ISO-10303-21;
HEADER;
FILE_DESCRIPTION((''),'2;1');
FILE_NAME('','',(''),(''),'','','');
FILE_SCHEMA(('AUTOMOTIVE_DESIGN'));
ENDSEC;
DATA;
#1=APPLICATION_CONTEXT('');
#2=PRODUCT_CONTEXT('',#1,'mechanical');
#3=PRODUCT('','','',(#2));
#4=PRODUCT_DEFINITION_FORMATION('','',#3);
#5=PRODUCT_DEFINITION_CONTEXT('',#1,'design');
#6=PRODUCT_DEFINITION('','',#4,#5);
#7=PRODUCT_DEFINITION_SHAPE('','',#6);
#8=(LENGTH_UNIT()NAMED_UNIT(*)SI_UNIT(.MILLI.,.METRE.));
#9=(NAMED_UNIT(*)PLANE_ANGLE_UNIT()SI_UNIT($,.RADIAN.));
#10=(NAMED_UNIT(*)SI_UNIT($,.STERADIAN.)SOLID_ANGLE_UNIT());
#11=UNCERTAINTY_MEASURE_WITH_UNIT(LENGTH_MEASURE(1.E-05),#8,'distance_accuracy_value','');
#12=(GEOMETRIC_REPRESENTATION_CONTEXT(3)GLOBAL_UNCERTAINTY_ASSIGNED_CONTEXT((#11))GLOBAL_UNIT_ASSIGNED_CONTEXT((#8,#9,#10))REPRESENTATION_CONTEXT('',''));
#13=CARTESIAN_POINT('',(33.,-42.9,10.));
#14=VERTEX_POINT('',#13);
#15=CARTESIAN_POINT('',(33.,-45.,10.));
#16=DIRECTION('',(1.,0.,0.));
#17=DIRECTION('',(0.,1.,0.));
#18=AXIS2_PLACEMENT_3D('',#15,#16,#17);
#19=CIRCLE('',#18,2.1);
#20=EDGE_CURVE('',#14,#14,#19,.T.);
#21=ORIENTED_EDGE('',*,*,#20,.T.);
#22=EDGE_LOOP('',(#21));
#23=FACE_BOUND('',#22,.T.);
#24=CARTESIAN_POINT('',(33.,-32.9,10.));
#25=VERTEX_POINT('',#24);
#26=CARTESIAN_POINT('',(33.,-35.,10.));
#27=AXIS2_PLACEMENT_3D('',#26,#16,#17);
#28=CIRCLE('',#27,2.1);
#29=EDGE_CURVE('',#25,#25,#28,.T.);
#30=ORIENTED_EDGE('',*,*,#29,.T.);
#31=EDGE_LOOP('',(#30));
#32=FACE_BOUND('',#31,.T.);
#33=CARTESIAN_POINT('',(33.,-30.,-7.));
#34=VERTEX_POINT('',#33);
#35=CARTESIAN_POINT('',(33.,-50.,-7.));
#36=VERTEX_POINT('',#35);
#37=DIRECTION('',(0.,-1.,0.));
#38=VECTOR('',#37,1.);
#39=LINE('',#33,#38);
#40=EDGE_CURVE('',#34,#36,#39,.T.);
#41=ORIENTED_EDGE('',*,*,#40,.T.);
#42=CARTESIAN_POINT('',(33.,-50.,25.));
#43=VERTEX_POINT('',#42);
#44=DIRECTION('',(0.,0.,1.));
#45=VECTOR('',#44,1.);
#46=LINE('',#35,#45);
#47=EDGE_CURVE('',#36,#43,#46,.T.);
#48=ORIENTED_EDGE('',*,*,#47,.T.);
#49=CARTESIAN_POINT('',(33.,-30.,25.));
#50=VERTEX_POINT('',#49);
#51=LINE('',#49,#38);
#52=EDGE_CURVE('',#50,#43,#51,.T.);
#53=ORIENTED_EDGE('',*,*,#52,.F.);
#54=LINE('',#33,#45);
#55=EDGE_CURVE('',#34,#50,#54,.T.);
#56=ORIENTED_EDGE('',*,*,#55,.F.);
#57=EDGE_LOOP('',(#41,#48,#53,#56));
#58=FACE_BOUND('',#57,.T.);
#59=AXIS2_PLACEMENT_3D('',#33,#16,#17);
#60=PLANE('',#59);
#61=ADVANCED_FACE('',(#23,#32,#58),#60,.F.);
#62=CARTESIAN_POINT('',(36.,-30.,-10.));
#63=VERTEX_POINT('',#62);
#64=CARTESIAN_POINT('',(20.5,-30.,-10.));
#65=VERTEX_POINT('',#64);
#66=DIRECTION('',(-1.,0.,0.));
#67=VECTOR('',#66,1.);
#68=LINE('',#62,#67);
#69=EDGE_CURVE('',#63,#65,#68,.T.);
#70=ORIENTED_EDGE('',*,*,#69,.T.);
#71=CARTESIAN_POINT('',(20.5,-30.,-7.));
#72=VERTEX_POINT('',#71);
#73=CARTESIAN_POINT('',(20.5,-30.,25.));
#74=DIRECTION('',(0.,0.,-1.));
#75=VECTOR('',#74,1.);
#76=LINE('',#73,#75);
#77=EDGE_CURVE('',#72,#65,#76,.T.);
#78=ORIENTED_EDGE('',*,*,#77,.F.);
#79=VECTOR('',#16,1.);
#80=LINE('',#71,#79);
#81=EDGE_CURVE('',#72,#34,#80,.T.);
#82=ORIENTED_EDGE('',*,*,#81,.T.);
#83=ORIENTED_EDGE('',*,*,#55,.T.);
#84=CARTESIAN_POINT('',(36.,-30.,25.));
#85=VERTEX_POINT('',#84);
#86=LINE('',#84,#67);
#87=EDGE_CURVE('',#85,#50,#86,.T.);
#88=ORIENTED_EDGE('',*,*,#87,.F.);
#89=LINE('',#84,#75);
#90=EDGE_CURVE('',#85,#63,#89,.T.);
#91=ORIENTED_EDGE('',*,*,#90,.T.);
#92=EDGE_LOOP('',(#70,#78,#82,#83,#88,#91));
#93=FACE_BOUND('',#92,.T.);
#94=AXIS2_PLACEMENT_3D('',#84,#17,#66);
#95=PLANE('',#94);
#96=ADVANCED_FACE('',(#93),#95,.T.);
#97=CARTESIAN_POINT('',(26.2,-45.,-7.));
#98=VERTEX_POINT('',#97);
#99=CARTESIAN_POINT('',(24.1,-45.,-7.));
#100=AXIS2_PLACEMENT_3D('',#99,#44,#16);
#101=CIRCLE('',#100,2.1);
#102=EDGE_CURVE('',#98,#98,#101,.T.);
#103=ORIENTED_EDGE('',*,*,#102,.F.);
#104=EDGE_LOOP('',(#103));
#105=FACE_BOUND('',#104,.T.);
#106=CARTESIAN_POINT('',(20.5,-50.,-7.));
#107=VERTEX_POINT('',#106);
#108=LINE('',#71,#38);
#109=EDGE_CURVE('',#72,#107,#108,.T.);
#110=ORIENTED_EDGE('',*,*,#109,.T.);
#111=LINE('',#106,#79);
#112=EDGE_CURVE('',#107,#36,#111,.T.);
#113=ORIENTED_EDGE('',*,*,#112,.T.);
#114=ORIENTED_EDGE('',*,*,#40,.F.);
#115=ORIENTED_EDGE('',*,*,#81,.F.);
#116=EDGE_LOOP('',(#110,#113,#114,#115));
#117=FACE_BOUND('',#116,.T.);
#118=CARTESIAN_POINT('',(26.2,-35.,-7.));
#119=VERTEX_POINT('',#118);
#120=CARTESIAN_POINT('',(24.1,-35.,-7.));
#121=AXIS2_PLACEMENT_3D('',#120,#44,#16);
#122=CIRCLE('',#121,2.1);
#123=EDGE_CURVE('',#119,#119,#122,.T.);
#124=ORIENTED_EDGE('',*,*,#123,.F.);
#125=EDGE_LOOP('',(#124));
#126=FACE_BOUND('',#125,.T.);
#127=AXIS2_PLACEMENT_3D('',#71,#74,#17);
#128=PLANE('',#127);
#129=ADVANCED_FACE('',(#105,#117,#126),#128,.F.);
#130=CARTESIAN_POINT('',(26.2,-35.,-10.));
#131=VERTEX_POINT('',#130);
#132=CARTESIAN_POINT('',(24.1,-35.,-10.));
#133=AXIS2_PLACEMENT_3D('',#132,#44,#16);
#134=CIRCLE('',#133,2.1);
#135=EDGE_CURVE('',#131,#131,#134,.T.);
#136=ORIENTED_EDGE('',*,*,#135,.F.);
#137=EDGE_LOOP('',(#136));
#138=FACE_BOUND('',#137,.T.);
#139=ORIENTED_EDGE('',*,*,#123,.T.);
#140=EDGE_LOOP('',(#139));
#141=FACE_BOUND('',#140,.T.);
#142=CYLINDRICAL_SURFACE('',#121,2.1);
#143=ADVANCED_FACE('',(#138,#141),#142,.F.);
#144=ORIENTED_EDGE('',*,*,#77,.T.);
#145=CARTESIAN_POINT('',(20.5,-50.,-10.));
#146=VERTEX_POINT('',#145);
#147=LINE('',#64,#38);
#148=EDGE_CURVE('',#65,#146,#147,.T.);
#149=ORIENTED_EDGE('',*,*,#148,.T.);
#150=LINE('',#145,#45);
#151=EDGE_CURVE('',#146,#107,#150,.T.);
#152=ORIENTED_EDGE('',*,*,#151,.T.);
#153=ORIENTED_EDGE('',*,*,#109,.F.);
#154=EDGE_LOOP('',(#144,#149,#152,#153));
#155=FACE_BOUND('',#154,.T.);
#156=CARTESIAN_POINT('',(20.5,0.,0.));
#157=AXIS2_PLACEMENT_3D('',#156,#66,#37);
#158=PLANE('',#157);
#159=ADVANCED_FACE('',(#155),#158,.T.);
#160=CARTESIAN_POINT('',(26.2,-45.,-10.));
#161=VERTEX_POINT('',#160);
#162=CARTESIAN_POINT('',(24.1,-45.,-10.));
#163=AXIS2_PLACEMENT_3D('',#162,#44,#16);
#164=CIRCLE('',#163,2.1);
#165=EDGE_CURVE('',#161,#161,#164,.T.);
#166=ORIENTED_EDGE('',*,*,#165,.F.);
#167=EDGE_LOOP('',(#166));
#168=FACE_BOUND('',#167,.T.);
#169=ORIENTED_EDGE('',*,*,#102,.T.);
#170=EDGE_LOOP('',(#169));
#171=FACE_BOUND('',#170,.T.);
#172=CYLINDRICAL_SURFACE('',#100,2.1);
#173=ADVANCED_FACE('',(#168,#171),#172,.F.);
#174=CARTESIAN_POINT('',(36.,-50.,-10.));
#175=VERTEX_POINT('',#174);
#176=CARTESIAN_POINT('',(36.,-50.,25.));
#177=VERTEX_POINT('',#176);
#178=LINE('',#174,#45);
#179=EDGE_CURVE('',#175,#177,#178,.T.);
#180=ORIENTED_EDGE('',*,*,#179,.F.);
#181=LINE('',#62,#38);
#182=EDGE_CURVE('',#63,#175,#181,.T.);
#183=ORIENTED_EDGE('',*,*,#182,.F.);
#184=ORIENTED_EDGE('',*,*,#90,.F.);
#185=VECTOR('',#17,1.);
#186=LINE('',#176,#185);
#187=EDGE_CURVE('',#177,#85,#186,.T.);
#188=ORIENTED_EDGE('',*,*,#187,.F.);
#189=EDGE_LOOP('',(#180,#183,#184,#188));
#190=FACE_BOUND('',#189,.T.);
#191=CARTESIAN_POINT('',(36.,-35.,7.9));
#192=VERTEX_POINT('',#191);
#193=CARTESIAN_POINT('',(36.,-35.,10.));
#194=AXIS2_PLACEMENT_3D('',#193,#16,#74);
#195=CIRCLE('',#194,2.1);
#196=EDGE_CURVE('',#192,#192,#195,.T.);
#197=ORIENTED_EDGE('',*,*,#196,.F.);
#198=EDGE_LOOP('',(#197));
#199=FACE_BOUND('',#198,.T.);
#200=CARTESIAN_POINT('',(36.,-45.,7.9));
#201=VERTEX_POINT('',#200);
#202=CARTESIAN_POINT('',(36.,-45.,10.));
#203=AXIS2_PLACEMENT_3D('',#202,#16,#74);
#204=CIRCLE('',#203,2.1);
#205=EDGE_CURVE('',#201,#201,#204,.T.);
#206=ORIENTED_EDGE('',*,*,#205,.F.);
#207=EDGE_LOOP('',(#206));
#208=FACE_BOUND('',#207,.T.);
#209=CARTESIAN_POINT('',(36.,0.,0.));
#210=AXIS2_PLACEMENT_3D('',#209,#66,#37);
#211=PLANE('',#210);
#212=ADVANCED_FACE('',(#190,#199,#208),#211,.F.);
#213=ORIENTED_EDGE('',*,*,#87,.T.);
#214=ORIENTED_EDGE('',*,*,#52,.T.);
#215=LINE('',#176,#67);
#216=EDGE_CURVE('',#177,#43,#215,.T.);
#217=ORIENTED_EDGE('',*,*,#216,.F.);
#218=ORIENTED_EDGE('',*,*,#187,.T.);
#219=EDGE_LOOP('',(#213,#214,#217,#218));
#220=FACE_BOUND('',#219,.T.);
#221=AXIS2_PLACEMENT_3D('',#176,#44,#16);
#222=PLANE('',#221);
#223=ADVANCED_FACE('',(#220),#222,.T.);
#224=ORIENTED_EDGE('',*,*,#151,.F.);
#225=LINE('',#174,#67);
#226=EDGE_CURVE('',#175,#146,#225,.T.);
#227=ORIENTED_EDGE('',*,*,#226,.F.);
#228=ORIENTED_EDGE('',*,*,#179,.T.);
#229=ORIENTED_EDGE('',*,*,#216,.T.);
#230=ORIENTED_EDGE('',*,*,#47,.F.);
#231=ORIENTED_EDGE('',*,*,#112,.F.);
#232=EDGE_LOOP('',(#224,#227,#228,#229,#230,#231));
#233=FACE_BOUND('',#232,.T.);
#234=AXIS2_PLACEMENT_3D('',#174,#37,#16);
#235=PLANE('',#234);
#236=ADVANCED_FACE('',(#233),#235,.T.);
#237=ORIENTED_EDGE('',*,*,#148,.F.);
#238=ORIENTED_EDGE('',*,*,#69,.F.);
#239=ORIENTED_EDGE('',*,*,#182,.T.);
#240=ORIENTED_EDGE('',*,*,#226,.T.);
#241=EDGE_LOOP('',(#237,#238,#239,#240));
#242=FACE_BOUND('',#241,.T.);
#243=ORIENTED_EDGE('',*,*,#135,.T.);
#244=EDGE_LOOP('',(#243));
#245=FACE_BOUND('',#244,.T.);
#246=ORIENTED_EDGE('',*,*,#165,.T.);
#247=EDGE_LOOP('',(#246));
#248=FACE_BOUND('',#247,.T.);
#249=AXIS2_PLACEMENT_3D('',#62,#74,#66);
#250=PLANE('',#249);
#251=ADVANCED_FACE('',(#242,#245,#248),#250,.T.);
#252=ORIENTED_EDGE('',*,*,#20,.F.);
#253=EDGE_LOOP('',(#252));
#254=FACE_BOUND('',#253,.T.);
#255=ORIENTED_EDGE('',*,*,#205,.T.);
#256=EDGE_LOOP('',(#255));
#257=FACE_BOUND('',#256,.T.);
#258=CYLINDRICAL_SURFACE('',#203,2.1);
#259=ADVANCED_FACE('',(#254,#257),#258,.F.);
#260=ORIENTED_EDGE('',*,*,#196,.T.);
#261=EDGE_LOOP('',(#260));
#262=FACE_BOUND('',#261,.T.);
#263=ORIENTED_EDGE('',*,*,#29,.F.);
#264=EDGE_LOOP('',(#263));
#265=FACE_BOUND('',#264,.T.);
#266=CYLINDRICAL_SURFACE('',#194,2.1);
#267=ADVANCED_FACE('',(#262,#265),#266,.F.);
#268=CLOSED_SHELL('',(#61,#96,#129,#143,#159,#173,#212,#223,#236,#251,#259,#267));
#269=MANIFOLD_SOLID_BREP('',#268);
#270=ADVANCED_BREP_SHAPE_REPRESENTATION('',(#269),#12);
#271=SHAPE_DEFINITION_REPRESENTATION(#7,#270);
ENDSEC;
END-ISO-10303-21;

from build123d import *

# Parameters (mm, degrees)
SKETCH_1_W                  = 20
SKETCH_1_H                  = 35
EXTRUDE_1_DEPTH             = 15.5
SKETCH_2_W                  = 12.5
SKETCH_2_H                  = 32
CUT_EXTRUDE_1_DEPTH         = 49.176757882
HOLE_WIZARD_4_2_4_2_1_D     = 4.2
HOLE_WIZARD_4_2_4_2_1_DEPTH = 15.5
HOLE_WIZARD_4_2_4_2_2_D     = 4.2


with BuildPart() as part:
    # 草图1 → 凸台-拉伸1 (new body)
    with BuildSketch(Plane(origin=(20.5, 0, 0), x_dir=(0, -1, 0), z_dir=(-1, 0, 0))):
        with Locations((40, 7.5)):
            Rectangle(SKETCH_1_W, SKETCH_1_H)
    extrude(amount=-EXTRUDE_1_DEPTH)

    # 草图2 → 切除-拉伸1 (cut, through all)
    with BuildSketch(Plane.XZ.offset(50)):
        with Locations((26.75, 9)):
            Rectangle(SKETCH_2_W, SKETCH_2_H)
    extrude(amount=-CUT_EXTRUDE_1_DEPTH, mode=Mode.SUBTRACT)

    # Ø4.2 (4.2) 直径孔1
    with Locations(Plane(origin=(36, 0, 0), x_dir=(0, 0, -1), z_dir=(1, 0, 0))):
        with Locations((-10, -35), (-10, -45)):
            Hole(HOLE_WIZARD_4_2_4_2_1_D / 2, depth=HOLE_WIZARD_4_2_4_2_1_DEPTH)

    # Ø4.2 (4.2) 直径孔2 (through all)
    with Locations(Plane.XY.offset(-7)):
        with Locations((24.1, -45), (24.1, -35)):
            Hole(HOLE_WIZARD_4_2_4_2_2_D / 2)


solid = part.part
